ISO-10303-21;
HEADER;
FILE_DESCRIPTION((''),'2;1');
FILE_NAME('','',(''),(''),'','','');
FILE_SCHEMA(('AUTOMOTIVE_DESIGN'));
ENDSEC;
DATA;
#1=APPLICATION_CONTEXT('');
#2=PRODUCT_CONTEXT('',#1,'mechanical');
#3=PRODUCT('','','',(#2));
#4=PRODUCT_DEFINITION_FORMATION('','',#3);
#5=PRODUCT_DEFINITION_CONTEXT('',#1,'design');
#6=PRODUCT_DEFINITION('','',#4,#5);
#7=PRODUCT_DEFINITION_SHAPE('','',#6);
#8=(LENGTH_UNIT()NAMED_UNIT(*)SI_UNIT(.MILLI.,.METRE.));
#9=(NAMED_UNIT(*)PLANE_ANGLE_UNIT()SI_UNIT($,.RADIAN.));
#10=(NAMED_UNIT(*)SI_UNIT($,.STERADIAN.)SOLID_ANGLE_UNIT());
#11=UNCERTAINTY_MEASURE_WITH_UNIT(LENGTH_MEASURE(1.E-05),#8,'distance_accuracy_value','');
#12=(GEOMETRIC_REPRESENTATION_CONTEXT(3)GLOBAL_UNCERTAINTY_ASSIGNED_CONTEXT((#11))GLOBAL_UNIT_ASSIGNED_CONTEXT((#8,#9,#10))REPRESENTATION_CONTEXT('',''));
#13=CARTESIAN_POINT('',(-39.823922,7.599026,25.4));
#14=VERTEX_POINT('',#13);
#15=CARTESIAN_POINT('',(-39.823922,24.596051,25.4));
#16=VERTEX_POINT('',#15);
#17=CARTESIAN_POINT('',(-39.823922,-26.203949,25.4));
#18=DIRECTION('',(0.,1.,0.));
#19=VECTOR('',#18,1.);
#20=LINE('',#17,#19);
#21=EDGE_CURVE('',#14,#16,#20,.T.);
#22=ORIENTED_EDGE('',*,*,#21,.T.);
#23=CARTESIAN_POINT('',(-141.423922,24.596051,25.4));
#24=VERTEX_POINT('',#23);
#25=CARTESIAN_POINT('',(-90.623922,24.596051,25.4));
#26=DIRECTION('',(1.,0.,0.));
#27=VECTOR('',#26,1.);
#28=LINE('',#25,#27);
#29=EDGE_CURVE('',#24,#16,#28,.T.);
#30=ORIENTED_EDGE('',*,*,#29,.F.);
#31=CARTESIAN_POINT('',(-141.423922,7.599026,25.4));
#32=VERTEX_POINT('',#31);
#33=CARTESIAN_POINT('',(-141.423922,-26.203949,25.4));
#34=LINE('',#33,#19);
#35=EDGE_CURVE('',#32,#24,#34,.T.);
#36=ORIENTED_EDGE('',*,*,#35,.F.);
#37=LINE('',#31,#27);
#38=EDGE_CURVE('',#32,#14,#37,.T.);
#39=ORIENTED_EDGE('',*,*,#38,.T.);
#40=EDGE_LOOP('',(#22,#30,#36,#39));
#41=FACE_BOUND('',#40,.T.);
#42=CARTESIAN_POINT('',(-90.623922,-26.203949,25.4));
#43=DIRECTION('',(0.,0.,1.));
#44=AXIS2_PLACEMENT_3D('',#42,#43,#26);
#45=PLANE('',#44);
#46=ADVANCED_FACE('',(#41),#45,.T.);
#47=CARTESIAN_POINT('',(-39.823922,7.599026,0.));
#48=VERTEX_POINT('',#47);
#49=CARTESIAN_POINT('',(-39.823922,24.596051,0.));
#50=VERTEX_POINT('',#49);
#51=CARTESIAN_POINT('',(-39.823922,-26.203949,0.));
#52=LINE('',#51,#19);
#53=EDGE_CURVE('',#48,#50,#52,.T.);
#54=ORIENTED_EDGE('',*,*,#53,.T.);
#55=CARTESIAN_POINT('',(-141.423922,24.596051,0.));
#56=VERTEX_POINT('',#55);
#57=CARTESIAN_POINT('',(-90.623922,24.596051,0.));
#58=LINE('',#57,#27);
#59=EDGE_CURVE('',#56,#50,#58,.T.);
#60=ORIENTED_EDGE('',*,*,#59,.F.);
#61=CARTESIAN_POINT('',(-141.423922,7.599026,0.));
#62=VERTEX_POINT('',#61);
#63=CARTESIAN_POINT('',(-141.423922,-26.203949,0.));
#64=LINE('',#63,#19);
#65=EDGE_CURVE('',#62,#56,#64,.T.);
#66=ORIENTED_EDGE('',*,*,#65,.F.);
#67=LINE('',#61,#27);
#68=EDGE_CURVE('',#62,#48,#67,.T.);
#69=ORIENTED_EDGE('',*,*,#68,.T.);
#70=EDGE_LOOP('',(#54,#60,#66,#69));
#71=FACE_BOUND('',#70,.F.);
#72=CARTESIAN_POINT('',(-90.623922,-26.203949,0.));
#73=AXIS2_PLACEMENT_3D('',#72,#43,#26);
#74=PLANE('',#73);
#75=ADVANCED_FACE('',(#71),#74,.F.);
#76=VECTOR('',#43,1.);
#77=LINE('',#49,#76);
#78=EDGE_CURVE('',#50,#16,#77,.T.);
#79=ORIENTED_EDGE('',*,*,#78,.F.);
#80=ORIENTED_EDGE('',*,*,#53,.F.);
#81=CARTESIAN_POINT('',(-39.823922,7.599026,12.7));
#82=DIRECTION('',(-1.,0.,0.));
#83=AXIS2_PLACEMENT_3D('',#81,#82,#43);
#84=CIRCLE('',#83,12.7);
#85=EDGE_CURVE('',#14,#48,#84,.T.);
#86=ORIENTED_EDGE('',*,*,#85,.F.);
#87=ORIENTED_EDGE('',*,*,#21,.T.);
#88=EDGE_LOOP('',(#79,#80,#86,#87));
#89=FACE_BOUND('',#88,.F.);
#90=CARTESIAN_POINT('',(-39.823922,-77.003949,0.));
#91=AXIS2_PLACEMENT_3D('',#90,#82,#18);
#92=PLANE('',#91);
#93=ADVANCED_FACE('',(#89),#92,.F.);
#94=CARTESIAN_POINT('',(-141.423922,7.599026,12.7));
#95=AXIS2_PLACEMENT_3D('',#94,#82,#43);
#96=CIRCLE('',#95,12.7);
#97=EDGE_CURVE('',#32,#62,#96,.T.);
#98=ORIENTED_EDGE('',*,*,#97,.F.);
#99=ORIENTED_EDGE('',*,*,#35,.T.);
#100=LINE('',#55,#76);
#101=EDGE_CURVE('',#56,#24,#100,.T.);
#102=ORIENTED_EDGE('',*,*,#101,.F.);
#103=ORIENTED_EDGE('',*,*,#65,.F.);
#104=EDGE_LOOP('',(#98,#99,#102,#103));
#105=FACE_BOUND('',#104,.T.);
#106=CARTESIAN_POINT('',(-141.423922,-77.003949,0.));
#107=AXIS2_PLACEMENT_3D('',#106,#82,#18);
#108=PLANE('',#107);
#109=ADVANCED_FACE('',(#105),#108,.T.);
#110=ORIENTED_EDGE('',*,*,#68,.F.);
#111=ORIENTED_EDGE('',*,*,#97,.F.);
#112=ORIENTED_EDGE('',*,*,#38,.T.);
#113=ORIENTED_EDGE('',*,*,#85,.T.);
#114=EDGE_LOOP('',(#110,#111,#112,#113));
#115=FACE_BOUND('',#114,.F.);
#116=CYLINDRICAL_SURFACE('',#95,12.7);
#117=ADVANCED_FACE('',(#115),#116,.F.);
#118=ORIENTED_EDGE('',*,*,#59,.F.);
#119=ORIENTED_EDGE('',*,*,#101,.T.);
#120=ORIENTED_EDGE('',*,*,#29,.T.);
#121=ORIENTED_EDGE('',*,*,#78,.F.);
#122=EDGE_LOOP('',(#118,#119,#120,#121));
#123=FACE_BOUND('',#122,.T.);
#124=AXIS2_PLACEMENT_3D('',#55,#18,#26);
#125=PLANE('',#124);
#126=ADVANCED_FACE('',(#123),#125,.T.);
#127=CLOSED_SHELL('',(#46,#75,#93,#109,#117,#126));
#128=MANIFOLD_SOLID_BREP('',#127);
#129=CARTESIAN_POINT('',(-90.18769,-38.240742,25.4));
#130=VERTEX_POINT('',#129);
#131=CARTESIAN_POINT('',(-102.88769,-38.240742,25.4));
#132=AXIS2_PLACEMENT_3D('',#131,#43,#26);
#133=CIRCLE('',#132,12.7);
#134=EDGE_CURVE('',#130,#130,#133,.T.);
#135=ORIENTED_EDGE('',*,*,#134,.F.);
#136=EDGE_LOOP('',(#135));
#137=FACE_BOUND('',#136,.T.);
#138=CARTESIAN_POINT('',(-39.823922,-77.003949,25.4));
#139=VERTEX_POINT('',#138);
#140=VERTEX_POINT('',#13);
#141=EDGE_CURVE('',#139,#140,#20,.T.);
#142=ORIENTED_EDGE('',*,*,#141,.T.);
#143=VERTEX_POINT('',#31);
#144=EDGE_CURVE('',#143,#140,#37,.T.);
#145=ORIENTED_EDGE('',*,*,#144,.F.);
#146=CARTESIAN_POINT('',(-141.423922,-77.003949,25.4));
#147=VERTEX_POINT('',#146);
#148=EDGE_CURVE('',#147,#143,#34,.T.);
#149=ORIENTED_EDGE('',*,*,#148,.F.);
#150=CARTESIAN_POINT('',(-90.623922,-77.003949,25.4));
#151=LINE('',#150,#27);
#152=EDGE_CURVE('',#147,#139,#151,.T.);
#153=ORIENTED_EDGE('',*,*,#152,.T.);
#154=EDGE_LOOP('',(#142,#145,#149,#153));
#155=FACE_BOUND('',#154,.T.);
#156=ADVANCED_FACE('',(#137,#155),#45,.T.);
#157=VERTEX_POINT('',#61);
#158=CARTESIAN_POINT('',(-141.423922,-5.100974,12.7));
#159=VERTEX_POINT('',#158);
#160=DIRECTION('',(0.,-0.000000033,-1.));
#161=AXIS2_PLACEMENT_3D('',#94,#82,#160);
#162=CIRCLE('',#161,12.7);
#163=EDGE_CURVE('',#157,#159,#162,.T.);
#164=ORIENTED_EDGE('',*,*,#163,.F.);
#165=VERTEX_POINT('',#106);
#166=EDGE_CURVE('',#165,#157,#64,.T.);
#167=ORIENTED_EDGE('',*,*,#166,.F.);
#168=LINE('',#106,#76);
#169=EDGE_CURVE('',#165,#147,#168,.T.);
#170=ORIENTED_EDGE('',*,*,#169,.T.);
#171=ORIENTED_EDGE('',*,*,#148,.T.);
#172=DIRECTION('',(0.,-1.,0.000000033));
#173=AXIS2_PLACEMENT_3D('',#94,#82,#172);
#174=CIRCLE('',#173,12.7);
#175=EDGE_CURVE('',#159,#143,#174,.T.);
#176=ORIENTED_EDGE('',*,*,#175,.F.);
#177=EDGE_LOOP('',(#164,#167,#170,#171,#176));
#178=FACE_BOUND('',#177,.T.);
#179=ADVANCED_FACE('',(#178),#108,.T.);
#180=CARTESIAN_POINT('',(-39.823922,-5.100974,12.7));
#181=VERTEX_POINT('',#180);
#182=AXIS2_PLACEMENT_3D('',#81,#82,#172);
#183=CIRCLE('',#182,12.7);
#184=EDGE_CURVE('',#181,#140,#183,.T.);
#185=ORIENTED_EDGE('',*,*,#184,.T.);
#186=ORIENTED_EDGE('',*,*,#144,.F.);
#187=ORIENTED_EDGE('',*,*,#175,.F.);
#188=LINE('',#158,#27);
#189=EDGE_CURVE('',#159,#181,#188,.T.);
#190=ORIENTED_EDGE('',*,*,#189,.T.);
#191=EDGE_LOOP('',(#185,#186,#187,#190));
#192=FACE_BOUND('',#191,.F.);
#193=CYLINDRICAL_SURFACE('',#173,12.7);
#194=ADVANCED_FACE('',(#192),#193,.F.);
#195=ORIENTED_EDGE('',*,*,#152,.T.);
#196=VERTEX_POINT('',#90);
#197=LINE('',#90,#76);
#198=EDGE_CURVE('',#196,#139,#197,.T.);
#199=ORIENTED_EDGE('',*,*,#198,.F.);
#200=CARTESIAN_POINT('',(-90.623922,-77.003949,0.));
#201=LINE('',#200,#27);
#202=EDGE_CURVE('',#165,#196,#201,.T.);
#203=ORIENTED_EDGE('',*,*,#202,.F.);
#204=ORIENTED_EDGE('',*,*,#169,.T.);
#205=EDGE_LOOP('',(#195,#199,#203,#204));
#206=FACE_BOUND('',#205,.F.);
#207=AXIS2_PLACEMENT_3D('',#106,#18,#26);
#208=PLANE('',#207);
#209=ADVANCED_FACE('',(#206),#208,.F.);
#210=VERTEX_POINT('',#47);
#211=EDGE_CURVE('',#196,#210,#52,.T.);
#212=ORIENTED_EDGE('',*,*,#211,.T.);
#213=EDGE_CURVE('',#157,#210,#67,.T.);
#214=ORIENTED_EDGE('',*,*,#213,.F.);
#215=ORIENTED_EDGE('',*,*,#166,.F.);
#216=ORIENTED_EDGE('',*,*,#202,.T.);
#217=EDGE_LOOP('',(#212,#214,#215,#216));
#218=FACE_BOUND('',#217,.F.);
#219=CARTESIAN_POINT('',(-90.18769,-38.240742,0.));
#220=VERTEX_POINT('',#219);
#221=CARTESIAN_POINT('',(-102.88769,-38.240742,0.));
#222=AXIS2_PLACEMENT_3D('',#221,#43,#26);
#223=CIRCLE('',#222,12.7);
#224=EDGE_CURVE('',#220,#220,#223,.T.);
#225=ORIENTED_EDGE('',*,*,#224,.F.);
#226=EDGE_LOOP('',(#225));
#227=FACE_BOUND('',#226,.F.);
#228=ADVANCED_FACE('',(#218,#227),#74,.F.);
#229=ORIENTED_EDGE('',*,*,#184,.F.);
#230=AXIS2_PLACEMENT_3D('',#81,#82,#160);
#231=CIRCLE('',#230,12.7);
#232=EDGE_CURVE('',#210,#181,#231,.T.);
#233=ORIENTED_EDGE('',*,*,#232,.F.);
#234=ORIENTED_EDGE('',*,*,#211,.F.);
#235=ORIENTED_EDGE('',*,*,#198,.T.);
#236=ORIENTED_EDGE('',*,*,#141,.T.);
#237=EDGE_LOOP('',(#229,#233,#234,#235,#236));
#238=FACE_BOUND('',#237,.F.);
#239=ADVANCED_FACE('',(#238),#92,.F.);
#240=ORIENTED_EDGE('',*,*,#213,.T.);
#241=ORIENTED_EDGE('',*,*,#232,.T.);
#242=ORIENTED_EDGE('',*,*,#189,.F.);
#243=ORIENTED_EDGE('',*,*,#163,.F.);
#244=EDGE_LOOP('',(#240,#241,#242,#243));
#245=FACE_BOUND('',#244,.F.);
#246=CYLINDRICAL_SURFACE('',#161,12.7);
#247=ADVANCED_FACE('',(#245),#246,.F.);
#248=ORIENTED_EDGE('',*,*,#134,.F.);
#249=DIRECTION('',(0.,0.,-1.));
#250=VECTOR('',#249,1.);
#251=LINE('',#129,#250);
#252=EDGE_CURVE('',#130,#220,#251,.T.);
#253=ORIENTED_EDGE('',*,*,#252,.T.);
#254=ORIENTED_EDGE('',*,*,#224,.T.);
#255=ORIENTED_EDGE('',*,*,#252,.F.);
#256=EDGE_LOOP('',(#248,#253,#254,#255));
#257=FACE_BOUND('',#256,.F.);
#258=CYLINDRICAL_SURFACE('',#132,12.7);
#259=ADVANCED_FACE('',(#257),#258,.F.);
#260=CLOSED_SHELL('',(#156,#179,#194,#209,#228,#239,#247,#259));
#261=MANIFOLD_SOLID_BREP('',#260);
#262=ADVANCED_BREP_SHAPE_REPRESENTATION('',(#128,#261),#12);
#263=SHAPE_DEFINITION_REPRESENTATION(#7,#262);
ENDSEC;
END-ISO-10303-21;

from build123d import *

# Parameters (mm, degrees)
F0_W     = 101.6
F0_H     = 101.6
F1_DEPTH = 25.4
F3_DEPTH = 101.601
F4_R     = 12.7
F5_DEPTH = 25.401


with BuildPart() as f1:
    # F0 (on Top) → F1 (new body)
    with BuildSketch(Plane.XY):
        with Locations((-90.623922, -26.203949)):
            Rectangle(F0_W, F0_H)
    extrude(amount=F1_DEPTH)

    # F2 (on face) → F3 (cut, through all)
    with BuildSketch(Plane(origin=(-141.423922, 0, 0), x_dir=(0, -1, 0), z_dir=(-1, 0, 0))):
        with BuildLine():
            ThreePointArc((-7.599026, 0), (1.38123, 3.719744), (5.100974, 12.7))
            ThreePointArc((5.100974, 12.7), (1.38123, 21.680256), (-7.599026, 25.4))
            ThreePointArc((-7.599026, 25.4), (-20.299026, 12.7), (-7.599026, 0))
        make_face()
    extrude(amount=-F3_DEPTH, mode=Mode.SUBTRACT)

    # F4 (on face) → F5 (cut, through all)
    with BuildSketch(Plane.XY.offset(25.4)):
        with Locations((-102.88769, -38.240742)):
            Circle(F4_R)
    extrude(amount=-F5_DEPTH, mode=Mode.SUBTRACT)


solid = f1.part
